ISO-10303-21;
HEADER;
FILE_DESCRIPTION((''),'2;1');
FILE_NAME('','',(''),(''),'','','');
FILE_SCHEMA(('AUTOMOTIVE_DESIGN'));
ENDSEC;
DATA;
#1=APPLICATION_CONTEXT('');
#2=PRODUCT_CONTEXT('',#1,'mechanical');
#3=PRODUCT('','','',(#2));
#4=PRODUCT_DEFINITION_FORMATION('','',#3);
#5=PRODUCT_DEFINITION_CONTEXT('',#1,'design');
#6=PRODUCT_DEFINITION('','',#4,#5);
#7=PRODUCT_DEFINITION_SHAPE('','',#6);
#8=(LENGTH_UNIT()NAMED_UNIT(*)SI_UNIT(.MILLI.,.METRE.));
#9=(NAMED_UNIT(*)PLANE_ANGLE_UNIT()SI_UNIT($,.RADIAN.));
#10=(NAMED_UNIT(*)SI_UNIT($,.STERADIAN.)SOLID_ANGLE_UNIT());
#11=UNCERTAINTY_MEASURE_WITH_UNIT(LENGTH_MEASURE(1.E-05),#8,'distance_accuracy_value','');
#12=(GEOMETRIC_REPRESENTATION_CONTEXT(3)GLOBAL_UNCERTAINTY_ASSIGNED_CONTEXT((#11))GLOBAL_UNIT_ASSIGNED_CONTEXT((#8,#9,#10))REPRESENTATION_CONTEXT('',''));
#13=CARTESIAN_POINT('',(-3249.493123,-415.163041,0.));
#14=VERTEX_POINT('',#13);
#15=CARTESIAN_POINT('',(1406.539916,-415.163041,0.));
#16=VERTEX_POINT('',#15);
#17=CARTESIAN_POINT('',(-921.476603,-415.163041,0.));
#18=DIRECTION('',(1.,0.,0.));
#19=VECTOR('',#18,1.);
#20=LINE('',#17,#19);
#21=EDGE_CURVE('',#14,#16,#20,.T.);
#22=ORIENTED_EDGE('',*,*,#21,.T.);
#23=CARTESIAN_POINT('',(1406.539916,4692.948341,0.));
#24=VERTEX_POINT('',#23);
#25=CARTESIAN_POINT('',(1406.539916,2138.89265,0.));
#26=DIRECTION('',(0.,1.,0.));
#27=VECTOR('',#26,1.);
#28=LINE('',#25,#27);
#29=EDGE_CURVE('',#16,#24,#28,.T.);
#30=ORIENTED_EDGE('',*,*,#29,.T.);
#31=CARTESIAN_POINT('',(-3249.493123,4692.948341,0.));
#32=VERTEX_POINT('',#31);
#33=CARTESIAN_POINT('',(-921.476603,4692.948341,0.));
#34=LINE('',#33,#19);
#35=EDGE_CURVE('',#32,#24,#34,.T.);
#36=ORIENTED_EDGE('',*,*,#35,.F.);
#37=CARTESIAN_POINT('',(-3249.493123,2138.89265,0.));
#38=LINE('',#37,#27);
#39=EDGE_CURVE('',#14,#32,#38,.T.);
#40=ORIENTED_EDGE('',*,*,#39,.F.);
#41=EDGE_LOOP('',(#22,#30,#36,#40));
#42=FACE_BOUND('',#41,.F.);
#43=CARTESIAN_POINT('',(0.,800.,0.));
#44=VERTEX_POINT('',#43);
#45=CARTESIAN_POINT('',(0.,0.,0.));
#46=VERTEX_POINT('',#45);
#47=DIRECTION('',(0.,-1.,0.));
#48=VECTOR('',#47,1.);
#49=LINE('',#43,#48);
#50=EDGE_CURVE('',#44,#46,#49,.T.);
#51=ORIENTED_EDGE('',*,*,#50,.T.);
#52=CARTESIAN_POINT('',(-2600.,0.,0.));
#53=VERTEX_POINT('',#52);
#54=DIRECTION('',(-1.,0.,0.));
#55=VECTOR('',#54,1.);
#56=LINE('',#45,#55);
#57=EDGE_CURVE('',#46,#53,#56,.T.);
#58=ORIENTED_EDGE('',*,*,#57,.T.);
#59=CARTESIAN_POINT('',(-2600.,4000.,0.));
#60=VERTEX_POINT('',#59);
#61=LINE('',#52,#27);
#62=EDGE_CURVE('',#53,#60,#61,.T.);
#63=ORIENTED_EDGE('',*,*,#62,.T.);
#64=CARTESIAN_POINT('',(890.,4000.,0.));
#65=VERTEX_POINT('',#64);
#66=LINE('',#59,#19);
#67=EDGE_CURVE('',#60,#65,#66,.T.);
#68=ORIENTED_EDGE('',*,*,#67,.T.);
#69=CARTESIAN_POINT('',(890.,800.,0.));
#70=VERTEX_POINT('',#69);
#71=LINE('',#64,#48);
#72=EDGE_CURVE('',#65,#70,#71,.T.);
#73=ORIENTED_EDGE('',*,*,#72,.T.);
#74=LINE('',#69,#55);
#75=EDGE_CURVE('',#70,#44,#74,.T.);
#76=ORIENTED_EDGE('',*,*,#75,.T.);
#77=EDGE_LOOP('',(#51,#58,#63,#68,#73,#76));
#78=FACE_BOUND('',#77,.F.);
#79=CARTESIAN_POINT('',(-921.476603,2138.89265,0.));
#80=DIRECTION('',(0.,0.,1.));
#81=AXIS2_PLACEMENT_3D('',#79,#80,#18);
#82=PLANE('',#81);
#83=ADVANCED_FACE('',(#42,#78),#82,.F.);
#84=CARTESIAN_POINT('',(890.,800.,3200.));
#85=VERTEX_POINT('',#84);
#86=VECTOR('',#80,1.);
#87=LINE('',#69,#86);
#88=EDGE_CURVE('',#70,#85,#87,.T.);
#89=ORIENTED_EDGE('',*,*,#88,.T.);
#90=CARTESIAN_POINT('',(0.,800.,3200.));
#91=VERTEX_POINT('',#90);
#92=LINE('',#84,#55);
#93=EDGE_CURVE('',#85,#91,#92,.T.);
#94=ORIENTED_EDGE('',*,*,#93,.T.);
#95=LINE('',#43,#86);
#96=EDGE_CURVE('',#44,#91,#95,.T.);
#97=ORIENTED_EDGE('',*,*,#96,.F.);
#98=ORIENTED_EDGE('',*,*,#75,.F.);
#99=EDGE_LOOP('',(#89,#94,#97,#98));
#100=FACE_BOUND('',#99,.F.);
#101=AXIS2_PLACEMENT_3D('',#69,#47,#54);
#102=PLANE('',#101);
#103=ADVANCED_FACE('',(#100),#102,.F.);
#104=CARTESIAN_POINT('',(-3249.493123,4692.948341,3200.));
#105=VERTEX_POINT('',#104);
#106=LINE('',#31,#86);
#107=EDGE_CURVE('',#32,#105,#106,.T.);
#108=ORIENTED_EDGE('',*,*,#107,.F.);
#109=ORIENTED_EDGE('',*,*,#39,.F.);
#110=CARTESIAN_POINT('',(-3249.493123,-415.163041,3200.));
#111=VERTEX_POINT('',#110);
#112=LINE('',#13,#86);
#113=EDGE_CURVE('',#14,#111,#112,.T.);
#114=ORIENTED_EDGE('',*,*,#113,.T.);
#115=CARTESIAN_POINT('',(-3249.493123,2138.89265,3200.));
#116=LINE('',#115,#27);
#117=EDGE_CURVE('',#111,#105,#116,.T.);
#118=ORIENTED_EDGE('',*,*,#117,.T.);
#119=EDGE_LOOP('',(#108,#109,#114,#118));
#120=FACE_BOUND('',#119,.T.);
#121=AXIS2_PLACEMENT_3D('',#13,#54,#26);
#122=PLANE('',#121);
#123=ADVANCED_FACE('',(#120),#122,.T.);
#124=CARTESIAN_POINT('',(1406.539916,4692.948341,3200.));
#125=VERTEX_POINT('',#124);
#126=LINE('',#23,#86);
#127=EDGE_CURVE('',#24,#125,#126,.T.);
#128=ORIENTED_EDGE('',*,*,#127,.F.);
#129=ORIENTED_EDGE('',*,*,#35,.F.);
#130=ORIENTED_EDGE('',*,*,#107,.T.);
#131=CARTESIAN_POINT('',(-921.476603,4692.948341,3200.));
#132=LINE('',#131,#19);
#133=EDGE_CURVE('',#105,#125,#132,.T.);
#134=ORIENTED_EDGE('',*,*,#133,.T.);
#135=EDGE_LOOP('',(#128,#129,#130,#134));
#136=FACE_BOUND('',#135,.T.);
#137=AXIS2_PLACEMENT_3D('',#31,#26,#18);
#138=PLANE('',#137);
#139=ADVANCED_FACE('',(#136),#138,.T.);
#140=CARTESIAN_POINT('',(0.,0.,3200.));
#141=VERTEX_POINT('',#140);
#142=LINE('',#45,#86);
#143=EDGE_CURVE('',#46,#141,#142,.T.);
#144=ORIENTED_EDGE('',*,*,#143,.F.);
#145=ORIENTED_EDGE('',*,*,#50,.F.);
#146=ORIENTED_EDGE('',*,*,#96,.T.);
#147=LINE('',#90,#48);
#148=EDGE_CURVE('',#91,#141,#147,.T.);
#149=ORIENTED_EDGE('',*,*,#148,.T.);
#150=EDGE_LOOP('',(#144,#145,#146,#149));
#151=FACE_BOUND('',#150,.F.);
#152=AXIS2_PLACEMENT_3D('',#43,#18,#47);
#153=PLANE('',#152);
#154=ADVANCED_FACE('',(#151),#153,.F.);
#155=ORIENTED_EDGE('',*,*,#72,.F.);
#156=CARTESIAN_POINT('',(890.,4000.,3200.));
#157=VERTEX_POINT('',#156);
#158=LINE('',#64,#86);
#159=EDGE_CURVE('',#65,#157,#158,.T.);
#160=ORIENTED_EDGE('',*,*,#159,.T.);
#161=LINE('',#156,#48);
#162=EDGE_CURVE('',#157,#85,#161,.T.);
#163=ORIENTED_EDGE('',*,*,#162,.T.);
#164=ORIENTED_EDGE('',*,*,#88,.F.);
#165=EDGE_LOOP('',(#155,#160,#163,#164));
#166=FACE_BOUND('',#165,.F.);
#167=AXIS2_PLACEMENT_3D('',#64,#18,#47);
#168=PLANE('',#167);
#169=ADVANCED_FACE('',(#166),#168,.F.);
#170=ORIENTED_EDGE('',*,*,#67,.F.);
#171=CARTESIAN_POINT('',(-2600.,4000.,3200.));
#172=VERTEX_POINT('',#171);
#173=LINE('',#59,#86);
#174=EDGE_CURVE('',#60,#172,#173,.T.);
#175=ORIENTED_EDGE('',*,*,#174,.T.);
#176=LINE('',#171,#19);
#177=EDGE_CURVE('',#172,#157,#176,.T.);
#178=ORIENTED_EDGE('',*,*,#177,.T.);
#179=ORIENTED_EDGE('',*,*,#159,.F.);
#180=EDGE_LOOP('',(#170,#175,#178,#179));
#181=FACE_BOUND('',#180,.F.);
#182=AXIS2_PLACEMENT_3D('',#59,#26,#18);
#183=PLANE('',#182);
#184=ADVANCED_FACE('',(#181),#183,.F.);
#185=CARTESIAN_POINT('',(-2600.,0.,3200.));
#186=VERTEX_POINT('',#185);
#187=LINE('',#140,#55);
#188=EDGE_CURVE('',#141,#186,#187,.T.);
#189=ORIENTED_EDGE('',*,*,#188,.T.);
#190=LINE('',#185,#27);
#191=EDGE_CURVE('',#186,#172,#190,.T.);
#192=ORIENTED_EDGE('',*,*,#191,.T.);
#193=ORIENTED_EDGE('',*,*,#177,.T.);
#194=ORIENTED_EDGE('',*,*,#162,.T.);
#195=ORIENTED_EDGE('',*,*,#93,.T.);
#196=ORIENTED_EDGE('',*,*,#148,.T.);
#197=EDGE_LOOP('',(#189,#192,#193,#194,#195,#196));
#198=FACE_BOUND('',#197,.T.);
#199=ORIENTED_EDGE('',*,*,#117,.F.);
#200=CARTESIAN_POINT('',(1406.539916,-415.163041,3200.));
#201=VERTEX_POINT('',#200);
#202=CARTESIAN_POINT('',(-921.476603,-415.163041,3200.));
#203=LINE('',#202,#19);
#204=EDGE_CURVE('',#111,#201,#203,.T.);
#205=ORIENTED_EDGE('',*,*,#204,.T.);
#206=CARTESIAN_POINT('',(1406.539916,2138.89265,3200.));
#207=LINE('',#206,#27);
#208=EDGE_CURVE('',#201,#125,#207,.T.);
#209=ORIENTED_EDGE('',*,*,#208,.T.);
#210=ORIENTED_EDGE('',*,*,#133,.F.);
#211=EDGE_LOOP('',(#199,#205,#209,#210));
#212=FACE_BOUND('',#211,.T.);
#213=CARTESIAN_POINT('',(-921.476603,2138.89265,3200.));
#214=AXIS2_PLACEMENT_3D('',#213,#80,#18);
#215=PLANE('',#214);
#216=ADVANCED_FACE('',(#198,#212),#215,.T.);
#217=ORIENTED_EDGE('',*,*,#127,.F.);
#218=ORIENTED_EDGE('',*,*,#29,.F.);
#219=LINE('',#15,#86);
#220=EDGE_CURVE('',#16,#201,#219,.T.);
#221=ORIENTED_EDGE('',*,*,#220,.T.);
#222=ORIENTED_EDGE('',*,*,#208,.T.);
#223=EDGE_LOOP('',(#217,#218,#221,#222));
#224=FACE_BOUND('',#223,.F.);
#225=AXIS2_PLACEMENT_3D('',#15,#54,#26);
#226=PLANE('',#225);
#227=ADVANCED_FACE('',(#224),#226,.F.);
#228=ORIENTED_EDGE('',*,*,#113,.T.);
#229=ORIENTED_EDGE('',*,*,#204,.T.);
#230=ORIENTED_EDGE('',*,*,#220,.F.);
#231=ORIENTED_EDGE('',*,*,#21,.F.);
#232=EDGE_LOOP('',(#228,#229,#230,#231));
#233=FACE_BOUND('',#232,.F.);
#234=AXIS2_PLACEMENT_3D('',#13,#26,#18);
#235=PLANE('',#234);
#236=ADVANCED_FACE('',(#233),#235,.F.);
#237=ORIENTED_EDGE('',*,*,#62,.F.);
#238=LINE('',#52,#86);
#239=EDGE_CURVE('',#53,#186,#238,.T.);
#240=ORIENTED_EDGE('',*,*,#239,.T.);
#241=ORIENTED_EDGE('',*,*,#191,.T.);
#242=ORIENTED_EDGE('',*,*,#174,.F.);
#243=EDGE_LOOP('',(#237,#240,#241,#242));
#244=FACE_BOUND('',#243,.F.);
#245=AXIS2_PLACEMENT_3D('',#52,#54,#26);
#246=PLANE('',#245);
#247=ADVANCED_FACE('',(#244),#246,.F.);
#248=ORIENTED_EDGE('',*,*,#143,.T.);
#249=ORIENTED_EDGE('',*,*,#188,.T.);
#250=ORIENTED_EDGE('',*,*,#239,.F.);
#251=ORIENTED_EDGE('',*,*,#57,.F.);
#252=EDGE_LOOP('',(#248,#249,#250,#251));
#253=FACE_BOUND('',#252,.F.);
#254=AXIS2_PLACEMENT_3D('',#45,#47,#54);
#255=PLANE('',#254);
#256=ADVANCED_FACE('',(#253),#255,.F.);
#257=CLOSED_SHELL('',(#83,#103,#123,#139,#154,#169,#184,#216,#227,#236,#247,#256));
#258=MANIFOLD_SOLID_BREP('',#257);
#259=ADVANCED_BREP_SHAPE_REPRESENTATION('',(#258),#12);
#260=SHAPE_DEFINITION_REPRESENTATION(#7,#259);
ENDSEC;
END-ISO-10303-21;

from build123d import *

# Parameters (mm, degrees)
F0_W     = 4656.033039
F0_H     = 5108.111381
F1_DEPTH = 3200


with BuildPart() as f1:
    # F0 (on Top) → F1 (new body)
    with BuildSketch(Plane.XY):
        with Locations((-921.476603, 2138.89265)):
            Rectangle(F0_W, F0_H)
        Polygon((0, 800), (0, 0), (-2600, 0), (-2600, 4000), (890, 4000), (890, 800), (0.25, 800), align=None, mode=Mode.SUBTRACT)
    extrude(amount=F1_DEPTH)


solid = f1.part
